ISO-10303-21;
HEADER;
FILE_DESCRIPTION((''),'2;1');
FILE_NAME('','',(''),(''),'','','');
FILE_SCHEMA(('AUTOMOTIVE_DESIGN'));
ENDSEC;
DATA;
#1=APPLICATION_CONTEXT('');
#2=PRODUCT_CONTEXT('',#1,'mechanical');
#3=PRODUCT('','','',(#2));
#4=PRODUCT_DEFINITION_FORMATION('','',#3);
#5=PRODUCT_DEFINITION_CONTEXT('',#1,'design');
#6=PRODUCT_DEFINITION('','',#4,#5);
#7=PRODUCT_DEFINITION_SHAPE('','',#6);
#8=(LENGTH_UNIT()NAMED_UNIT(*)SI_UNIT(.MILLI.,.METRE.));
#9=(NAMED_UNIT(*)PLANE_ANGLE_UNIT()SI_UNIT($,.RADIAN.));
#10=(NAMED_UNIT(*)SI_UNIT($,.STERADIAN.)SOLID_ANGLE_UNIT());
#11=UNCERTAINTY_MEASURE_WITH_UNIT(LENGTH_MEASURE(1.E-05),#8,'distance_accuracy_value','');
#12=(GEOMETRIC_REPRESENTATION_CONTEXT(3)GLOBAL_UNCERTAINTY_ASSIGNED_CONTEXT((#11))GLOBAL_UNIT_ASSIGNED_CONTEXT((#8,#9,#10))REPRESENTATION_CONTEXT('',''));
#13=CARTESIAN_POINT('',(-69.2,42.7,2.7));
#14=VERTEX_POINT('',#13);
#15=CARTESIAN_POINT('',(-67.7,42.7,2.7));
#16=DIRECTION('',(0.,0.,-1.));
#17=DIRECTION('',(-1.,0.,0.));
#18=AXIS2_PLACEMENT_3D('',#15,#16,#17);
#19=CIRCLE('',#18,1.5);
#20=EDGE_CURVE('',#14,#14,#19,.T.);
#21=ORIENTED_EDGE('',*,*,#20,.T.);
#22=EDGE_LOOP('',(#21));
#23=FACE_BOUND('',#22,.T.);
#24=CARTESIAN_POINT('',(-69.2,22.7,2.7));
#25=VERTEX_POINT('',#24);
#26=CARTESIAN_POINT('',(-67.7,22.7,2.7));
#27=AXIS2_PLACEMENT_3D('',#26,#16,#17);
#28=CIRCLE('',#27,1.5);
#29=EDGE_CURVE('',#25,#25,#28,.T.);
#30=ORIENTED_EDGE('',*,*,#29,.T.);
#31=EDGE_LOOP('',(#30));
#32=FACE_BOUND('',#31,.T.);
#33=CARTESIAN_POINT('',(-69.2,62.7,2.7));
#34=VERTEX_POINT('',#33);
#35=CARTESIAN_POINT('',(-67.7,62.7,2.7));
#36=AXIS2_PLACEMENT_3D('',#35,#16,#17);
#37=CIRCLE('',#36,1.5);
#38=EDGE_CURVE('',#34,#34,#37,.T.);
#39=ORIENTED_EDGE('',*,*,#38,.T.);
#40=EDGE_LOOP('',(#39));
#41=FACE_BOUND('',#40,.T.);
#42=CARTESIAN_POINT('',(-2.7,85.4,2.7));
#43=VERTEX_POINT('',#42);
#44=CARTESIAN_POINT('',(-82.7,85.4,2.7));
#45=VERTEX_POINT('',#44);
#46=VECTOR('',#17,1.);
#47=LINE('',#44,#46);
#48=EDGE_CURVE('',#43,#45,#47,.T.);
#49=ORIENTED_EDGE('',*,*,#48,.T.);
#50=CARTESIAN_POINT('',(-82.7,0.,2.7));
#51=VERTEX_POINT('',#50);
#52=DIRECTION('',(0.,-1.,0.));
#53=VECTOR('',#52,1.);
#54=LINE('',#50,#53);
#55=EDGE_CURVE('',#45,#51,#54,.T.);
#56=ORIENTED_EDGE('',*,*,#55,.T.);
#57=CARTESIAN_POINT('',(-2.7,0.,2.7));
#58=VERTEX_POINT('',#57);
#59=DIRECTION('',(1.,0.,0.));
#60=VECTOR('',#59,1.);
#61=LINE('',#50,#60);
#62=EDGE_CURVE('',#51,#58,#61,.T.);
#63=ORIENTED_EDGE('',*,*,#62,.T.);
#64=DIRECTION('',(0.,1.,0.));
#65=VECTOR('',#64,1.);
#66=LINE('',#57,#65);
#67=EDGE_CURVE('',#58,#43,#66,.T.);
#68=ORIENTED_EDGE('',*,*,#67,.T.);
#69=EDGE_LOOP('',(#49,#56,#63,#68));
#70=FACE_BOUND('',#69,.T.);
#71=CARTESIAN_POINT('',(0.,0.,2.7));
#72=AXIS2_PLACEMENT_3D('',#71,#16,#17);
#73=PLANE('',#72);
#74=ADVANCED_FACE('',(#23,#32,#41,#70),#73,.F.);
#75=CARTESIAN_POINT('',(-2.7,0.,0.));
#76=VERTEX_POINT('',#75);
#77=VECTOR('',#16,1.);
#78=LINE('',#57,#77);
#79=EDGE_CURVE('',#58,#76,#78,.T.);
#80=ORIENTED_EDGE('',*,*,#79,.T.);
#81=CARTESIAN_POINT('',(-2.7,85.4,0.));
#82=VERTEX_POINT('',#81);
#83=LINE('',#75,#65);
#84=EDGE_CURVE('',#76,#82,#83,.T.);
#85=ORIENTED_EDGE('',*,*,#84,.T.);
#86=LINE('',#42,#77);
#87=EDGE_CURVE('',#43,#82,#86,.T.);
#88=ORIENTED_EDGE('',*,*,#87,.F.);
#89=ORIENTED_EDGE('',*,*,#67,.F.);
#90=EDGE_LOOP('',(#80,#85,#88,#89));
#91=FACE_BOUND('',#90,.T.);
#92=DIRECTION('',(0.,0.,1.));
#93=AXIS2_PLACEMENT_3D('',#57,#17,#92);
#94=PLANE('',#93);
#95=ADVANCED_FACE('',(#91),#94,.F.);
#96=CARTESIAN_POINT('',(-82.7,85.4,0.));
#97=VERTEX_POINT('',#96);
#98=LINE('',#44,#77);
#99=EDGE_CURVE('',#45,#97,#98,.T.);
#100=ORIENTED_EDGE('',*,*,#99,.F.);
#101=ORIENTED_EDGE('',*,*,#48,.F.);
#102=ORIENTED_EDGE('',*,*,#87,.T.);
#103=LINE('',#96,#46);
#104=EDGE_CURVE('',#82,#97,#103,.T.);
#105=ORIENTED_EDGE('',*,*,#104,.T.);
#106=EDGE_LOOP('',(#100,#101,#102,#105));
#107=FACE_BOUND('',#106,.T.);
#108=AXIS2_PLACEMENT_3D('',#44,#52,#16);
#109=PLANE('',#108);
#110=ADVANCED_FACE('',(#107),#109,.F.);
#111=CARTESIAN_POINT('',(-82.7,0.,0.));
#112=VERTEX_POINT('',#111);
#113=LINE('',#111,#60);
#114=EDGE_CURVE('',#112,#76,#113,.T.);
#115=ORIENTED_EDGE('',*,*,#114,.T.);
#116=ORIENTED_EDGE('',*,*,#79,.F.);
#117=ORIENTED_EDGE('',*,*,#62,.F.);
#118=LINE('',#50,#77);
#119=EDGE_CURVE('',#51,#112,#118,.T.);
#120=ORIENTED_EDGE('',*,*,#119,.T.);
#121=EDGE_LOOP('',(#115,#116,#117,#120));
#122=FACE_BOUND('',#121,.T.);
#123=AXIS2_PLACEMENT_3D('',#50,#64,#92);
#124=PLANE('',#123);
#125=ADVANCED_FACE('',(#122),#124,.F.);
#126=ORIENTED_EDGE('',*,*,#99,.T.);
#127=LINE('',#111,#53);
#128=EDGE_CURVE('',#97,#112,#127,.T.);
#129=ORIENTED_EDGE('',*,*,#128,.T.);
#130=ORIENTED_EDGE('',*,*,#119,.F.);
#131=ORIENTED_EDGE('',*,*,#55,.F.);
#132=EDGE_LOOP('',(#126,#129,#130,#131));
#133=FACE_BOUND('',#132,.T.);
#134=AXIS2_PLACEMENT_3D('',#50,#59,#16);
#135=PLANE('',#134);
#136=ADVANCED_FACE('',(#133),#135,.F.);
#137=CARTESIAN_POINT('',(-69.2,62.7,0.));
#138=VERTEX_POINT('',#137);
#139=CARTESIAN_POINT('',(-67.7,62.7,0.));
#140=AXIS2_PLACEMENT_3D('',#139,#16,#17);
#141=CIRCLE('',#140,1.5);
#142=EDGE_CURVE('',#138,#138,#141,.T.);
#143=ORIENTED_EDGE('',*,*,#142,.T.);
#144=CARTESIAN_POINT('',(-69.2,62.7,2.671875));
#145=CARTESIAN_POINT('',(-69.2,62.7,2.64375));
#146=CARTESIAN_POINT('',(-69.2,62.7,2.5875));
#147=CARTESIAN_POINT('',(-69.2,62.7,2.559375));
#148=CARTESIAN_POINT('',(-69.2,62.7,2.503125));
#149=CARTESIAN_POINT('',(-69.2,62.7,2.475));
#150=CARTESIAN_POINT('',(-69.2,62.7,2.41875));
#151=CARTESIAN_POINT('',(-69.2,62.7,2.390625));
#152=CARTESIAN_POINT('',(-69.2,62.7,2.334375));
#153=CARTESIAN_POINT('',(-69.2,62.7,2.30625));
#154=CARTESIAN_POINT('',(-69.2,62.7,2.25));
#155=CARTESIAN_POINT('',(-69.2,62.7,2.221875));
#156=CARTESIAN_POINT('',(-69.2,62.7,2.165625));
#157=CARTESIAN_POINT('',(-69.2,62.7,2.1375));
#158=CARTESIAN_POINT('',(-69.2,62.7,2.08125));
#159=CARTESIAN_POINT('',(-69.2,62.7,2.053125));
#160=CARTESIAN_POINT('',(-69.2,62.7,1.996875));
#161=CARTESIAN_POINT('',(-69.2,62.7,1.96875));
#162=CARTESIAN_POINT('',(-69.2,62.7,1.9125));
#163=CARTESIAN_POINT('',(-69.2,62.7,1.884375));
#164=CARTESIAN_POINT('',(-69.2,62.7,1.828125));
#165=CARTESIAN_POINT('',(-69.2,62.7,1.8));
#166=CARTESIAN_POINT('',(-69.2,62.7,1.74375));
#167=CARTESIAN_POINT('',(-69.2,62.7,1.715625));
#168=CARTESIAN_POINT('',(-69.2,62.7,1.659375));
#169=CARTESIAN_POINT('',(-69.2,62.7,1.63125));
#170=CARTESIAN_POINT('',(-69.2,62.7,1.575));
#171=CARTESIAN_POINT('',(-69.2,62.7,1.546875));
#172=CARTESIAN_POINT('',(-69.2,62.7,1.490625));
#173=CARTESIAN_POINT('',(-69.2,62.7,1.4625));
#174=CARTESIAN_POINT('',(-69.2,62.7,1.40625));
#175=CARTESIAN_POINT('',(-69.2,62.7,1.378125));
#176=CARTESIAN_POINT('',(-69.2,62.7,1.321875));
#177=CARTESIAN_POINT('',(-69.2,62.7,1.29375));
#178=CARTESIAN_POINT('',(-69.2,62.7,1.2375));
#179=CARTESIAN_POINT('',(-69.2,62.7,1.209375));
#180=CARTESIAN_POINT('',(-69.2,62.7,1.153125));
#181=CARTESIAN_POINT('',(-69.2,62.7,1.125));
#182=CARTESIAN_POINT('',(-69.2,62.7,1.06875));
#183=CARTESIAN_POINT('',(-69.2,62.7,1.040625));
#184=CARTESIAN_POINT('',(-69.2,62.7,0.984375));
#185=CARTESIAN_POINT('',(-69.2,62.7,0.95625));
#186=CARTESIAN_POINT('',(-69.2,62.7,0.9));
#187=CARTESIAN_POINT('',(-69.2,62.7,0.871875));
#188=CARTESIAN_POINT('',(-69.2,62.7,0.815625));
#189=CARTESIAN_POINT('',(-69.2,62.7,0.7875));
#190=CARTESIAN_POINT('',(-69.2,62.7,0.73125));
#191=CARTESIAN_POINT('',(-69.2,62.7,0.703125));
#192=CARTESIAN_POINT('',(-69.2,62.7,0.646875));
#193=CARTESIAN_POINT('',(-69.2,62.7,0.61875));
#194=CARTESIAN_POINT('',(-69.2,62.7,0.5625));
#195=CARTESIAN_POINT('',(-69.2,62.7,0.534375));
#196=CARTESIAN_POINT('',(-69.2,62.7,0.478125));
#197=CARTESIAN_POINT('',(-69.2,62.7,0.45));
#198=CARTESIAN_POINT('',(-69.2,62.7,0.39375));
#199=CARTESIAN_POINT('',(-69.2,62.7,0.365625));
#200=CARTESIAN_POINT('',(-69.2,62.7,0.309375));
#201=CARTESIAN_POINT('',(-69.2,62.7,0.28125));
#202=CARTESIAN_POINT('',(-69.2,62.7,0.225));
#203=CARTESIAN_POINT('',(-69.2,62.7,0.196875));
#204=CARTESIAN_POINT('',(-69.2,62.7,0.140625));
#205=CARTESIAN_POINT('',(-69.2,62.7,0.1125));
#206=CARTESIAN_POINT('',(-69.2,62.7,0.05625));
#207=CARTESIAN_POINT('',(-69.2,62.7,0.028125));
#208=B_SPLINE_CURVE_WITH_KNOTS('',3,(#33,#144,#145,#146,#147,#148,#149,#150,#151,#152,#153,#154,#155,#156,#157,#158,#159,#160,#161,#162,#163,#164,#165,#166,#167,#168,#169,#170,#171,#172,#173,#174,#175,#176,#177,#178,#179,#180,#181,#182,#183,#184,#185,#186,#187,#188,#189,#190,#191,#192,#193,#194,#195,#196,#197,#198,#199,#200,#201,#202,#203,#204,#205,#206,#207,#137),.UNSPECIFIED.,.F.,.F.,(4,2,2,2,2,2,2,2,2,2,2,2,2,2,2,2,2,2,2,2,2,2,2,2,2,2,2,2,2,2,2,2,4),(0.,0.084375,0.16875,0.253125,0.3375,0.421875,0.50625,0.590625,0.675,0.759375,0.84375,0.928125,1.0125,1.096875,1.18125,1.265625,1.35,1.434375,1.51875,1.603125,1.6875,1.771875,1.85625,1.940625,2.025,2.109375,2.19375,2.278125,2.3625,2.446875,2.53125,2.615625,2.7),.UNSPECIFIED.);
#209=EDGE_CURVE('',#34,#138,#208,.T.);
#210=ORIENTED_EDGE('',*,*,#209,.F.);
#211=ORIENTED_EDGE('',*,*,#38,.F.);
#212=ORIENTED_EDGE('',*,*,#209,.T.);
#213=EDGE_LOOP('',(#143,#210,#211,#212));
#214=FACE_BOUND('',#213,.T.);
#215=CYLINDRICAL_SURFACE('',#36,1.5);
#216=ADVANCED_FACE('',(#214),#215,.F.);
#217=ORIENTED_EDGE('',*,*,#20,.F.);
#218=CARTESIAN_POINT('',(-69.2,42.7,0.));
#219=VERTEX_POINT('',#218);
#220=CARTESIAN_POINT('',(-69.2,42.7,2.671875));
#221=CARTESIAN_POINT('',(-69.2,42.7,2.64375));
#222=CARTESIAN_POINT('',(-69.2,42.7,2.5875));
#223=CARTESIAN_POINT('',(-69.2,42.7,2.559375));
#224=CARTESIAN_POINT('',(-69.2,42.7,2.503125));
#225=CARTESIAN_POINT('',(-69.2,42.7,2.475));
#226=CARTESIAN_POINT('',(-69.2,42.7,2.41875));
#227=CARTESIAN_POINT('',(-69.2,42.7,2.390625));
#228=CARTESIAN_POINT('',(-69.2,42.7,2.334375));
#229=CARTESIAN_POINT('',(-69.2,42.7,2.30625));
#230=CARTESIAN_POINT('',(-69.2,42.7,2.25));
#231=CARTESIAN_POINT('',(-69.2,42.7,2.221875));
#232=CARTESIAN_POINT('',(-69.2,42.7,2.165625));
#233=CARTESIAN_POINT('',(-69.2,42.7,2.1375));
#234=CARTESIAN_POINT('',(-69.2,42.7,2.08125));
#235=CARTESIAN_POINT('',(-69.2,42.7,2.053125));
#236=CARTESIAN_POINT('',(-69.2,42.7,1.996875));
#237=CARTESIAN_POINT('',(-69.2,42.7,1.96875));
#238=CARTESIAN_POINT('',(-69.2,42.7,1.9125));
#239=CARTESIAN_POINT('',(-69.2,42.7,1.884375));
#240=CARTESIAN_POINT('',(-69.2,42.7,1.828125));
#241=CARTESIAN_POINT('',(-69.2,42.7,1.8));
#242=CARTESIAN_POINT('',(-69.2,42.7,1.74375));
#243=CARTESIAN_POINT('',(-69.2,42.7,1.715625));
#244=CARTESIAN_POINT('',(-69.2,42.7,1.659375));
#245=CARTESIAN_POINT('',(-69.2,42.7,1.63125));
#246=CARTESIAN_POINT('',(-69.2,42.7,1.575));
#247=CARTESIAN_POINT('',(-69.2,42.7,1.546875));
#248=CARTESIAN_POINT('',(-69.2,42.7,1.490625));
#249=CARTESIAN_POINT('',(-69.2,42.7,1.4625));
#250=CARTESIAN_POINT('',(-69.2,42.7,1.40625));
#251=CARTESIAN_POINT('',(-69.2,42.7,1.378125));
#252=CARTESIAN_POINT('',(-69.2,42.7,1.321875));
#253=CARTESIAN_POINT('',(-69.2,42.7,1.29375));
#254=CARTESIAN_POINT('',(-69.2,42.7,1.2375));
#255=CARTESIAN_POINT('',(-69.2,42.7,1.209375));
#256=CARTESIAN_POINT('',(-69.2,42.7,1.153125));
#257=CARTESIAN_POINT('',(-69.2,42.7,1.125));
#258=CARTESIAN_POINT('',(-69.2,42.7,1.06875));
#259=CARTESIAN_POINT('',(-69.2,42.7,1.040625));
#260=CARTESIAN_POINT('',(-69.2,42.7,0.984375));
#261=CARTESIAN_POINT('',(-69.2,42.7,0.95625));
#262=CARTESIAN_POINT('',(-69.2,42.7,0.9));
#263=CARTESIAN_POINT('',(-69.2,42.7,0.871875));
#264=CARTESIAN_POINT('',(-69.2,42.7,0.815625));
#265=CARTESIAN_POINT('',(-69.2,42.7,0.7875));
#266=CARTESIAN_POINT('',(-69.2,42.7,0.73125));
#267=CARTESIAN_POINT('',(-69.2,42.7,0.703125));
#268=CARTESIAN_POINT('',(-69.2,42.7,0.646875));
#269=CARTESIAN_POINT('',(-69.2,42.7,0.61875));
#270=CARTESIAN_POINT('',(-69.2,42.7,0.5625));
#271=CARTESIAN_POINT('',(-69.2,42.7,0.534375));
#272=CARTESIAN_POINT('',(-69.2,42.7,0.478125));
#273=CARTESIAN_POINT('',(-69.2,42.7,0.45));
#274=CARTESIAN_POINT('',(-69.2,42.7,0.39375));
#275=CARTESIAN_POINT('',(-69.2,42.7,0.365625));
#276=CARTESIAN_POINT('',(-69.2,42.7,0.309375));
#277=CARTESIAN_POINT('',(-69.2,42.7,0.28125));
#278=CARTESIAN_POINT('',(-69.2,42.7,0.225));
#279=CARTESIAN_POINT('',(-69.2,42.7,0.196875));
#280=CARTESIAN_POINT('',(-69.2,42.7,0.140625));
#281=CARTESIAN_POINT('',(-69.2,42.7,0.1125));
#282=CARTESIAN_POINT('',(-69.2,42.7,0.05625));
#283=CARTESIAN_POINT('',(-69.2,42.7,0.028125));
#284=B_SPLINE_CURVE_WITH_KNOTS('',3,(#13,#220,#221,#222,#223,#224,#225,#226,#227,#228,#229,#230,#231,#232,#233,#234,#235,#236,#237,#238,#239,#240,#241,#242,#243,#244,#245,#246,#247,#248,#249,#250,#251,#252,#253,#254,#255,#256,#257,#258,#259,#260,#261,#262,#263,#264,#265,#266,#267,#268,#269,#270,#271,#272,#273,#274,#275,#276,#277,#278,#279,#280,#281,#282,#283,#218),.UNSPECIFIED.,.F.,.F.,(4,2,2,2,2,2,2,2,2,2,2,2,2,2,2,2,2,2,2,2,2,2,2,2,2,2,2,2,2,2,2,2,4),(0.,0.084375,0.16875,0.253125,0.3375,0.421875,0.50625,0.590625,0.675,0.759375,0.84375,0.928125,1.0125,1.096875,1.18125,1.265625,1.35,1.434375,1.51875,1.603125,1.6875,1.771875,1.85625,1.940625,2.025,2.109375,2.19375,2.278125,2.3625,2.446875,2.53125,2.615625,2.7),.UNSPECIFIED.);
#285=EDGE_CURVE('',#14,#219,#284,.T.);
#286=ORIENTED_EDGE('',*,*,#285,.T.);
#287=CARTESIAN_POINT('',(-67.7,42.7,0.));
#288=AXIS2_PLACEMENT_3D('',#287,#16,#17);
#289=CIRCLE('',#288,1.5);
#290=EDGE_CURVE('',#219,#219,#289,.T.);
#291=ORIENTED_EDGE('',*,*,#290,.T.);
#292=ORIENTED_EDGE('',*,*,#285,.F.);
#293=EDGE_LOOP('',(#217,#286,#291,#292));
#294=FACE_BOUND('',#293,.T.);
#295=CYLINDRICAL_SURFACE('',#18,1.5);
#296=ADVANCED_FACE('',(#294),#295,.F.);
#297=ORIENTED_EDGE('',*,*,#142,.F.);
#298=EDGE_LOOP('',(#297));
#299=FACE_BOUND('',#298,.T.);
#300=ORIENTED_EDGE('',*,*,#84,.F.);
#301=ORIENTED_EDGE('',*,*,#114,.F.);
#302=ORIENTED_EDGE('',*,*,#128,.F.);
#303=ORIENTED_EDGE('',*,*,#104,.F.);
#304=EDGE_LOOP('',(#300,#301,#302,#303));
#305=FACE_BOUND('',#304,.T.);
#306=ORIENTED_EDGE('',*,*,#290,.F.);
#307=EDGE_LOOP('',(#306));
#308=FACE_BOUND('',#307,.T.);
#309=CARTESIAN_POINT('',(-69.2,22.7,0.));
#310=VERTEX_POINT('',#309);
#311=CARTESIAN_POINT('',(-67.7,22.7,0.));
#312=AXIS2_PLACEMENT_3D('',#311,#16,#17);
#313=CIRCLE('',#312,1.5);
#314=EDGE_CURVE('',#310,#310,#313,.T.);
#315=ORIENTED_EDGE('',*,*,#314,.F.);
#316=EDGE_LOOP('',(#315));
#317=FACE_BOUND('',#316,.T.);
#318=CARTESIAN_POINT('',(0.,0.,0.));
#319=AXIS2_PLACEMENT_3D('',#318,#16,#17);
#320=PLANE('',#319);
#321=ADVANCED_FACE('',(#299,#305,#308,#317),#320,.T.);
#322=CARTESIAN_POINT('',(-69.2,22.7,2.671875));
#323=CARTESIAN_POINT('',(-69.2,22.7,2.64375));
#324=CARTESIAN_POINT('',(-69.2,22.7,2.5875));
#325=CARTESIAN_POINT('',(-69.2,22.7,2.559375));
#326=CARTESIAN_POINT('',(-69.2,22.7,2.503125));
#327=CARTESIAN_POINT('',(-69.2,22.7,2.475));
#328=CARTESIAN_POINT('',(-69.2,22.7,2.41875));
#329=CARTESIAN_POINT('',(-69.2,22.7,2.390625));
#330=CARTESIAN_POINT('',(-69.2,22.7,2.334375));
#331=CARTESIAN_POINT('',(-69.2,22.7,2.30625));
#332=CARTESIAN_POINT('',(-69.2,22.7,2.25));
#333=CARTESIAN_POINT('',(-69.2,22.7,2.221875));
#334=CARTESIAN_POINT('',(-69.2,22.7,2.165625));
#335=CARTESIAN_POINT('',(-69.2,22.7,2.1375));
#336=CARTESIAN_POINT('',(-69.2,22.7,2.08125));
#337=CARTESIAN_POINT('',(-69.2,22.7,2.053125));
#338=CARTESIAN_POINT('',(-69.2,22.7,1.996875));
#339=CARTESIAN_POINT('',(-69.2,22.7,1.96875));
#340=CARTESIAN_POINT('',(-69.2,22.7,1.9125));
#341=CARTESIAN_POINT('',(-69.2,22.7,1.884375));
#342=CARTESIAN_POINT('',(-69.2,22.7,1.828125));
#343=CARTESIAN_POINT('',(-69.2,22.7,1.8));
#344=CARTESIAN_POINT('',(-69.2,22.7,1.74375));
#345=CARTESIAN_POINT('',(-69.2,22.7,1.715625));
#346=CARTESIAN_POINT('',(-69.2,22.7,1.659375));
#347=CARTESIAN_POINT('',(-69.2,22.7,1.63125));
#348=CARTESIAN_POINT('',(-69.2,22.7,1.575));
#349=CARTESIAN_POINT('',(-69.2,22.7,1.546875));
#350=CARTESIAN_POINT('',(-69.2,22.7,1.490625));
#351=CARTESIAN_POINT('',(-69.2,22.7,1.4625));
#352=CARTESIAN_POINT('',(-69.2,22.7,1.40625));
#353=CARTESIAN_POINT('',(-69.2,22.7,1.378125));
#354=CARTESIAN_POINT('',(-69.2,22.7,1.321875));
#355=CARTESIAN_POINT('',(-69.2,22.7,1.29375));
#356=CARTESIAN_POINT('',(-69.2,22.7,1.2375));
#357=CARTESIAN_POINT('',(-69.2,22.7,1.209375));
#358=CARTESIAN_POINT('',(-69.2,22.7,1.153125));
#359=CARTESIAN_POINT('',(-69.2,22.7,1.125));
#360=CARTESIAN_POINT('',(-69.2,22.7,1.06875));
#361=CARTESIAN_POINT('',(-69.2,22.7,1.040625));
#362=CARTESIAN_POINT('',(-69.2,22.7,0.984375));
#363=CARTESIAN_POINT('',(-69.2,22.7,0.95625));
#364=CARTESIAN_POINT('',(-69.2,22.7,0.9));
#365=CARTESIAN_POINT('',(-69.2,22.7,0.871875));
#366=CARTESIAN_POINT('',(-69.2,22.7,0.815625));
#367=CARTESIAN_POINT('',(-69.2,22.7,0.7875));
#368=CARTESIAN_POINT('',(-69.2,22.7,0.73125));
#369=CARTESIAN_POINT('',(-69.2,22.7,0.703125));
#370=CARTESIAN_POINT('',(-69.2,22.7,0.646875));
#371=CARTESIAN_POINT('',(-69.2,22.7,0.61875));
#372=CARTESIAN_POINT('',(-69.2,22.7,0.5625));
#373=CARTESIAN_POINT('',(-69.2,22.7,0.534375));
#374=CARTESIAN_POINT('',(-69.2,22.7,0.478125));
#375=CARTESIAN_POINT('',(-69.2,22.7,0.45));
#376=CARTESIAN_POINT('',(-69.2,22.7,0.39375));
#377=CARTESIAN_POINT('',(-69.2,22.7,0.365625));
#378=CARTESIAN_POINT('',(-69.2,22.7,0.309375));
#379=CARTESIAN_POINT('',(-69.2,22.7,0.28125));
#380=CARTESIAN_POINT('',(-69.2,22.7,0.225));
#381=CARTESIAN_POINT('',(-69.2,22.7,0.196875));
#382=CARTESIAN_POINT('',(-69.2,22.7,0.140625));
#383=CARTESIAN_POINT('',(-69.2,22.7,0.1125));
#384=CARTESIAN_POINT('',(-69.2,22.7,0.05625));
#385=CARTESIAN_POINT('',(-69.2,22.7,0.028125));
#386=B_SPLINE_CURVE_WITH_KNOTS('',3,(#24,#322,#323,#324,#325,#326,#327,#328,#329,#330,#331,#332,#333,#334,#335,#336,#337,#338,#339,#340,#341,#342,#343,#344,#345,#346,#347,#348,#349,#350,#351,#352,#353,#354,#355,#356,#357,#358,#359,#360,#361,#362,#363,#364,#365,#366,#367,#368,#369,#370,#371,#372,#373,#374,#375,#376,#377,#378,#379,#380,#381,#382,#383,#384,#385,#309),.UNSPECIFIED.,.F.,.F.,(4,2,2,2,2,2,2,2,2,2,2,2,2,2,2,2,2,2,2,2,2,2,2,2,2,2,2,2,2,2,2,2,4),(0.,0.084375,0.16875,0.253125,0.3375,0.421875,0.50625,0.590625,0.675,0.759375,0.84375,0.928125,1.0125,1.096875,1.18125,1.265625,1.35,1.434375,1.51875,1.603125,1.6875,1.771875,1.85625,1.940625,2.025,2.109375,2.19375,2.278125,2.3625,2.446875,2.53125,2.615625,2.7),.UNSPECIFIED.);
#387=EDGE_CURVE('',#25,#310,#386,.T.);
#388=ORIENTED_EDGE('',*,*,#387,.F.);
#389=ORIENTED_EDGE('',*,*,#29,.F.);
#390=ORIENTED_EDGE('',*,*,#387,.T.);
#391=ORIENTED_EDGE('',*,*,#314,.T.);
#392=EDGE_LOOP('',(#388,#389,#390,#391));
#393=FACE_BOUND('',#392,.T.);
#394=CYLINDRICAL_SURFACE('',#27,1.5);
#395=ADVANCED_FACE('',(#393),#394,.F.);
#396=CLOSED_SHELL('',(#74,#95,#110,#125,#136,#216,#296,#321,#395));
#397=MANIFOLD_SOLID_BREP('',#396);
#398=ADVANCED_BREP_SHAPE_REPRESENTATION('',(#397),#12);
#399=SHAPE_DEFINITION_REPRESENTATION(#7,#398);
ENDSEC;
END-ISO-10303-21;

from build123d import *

# Parameters (mm, degrees)
CROQUIS1_W              = 80
CROQUIS1_H              = 85.4
SALIENTE_EXTRUIR1_DEPTH = 2.7
CROQUIS2_R              = 1.5
CORTAR_EXTRUIR1_DEPTH   = 2.7


with BuildPart() as part:
    # Croquis1 → Saliente-Extruir1 (new body)
    with BuildSketch(Plane.XY):
        with Locations((-42.7, 42.7)):
            Rectangle(CROQUIS1_W, CROQUIS1_H)
    extrude(amount=SALIENTE_EXTRUIR1_DEPTH)

    # Croquis2 → Cortar-Extruir1 (cut)
    with BuildSketch(Plane(origin=(0, 0, 0), x_dir=(-1, 0, 0), z_dir=(0, 0, -1))):
        with Locations((67.7, 42.7)):
            Circle(CROQUIS2_R)
        with Locations((67.7, 22.7)):
            Circle(CROQUIS2_R)
        with Locations((67.7, 62.7)):
            Circle(CROQUIS2_R)
    extrude(amount=-CORTAR_EXTRUIR1_DEPTH, mode=Mode.SUBTRACT)


solid = part.part
